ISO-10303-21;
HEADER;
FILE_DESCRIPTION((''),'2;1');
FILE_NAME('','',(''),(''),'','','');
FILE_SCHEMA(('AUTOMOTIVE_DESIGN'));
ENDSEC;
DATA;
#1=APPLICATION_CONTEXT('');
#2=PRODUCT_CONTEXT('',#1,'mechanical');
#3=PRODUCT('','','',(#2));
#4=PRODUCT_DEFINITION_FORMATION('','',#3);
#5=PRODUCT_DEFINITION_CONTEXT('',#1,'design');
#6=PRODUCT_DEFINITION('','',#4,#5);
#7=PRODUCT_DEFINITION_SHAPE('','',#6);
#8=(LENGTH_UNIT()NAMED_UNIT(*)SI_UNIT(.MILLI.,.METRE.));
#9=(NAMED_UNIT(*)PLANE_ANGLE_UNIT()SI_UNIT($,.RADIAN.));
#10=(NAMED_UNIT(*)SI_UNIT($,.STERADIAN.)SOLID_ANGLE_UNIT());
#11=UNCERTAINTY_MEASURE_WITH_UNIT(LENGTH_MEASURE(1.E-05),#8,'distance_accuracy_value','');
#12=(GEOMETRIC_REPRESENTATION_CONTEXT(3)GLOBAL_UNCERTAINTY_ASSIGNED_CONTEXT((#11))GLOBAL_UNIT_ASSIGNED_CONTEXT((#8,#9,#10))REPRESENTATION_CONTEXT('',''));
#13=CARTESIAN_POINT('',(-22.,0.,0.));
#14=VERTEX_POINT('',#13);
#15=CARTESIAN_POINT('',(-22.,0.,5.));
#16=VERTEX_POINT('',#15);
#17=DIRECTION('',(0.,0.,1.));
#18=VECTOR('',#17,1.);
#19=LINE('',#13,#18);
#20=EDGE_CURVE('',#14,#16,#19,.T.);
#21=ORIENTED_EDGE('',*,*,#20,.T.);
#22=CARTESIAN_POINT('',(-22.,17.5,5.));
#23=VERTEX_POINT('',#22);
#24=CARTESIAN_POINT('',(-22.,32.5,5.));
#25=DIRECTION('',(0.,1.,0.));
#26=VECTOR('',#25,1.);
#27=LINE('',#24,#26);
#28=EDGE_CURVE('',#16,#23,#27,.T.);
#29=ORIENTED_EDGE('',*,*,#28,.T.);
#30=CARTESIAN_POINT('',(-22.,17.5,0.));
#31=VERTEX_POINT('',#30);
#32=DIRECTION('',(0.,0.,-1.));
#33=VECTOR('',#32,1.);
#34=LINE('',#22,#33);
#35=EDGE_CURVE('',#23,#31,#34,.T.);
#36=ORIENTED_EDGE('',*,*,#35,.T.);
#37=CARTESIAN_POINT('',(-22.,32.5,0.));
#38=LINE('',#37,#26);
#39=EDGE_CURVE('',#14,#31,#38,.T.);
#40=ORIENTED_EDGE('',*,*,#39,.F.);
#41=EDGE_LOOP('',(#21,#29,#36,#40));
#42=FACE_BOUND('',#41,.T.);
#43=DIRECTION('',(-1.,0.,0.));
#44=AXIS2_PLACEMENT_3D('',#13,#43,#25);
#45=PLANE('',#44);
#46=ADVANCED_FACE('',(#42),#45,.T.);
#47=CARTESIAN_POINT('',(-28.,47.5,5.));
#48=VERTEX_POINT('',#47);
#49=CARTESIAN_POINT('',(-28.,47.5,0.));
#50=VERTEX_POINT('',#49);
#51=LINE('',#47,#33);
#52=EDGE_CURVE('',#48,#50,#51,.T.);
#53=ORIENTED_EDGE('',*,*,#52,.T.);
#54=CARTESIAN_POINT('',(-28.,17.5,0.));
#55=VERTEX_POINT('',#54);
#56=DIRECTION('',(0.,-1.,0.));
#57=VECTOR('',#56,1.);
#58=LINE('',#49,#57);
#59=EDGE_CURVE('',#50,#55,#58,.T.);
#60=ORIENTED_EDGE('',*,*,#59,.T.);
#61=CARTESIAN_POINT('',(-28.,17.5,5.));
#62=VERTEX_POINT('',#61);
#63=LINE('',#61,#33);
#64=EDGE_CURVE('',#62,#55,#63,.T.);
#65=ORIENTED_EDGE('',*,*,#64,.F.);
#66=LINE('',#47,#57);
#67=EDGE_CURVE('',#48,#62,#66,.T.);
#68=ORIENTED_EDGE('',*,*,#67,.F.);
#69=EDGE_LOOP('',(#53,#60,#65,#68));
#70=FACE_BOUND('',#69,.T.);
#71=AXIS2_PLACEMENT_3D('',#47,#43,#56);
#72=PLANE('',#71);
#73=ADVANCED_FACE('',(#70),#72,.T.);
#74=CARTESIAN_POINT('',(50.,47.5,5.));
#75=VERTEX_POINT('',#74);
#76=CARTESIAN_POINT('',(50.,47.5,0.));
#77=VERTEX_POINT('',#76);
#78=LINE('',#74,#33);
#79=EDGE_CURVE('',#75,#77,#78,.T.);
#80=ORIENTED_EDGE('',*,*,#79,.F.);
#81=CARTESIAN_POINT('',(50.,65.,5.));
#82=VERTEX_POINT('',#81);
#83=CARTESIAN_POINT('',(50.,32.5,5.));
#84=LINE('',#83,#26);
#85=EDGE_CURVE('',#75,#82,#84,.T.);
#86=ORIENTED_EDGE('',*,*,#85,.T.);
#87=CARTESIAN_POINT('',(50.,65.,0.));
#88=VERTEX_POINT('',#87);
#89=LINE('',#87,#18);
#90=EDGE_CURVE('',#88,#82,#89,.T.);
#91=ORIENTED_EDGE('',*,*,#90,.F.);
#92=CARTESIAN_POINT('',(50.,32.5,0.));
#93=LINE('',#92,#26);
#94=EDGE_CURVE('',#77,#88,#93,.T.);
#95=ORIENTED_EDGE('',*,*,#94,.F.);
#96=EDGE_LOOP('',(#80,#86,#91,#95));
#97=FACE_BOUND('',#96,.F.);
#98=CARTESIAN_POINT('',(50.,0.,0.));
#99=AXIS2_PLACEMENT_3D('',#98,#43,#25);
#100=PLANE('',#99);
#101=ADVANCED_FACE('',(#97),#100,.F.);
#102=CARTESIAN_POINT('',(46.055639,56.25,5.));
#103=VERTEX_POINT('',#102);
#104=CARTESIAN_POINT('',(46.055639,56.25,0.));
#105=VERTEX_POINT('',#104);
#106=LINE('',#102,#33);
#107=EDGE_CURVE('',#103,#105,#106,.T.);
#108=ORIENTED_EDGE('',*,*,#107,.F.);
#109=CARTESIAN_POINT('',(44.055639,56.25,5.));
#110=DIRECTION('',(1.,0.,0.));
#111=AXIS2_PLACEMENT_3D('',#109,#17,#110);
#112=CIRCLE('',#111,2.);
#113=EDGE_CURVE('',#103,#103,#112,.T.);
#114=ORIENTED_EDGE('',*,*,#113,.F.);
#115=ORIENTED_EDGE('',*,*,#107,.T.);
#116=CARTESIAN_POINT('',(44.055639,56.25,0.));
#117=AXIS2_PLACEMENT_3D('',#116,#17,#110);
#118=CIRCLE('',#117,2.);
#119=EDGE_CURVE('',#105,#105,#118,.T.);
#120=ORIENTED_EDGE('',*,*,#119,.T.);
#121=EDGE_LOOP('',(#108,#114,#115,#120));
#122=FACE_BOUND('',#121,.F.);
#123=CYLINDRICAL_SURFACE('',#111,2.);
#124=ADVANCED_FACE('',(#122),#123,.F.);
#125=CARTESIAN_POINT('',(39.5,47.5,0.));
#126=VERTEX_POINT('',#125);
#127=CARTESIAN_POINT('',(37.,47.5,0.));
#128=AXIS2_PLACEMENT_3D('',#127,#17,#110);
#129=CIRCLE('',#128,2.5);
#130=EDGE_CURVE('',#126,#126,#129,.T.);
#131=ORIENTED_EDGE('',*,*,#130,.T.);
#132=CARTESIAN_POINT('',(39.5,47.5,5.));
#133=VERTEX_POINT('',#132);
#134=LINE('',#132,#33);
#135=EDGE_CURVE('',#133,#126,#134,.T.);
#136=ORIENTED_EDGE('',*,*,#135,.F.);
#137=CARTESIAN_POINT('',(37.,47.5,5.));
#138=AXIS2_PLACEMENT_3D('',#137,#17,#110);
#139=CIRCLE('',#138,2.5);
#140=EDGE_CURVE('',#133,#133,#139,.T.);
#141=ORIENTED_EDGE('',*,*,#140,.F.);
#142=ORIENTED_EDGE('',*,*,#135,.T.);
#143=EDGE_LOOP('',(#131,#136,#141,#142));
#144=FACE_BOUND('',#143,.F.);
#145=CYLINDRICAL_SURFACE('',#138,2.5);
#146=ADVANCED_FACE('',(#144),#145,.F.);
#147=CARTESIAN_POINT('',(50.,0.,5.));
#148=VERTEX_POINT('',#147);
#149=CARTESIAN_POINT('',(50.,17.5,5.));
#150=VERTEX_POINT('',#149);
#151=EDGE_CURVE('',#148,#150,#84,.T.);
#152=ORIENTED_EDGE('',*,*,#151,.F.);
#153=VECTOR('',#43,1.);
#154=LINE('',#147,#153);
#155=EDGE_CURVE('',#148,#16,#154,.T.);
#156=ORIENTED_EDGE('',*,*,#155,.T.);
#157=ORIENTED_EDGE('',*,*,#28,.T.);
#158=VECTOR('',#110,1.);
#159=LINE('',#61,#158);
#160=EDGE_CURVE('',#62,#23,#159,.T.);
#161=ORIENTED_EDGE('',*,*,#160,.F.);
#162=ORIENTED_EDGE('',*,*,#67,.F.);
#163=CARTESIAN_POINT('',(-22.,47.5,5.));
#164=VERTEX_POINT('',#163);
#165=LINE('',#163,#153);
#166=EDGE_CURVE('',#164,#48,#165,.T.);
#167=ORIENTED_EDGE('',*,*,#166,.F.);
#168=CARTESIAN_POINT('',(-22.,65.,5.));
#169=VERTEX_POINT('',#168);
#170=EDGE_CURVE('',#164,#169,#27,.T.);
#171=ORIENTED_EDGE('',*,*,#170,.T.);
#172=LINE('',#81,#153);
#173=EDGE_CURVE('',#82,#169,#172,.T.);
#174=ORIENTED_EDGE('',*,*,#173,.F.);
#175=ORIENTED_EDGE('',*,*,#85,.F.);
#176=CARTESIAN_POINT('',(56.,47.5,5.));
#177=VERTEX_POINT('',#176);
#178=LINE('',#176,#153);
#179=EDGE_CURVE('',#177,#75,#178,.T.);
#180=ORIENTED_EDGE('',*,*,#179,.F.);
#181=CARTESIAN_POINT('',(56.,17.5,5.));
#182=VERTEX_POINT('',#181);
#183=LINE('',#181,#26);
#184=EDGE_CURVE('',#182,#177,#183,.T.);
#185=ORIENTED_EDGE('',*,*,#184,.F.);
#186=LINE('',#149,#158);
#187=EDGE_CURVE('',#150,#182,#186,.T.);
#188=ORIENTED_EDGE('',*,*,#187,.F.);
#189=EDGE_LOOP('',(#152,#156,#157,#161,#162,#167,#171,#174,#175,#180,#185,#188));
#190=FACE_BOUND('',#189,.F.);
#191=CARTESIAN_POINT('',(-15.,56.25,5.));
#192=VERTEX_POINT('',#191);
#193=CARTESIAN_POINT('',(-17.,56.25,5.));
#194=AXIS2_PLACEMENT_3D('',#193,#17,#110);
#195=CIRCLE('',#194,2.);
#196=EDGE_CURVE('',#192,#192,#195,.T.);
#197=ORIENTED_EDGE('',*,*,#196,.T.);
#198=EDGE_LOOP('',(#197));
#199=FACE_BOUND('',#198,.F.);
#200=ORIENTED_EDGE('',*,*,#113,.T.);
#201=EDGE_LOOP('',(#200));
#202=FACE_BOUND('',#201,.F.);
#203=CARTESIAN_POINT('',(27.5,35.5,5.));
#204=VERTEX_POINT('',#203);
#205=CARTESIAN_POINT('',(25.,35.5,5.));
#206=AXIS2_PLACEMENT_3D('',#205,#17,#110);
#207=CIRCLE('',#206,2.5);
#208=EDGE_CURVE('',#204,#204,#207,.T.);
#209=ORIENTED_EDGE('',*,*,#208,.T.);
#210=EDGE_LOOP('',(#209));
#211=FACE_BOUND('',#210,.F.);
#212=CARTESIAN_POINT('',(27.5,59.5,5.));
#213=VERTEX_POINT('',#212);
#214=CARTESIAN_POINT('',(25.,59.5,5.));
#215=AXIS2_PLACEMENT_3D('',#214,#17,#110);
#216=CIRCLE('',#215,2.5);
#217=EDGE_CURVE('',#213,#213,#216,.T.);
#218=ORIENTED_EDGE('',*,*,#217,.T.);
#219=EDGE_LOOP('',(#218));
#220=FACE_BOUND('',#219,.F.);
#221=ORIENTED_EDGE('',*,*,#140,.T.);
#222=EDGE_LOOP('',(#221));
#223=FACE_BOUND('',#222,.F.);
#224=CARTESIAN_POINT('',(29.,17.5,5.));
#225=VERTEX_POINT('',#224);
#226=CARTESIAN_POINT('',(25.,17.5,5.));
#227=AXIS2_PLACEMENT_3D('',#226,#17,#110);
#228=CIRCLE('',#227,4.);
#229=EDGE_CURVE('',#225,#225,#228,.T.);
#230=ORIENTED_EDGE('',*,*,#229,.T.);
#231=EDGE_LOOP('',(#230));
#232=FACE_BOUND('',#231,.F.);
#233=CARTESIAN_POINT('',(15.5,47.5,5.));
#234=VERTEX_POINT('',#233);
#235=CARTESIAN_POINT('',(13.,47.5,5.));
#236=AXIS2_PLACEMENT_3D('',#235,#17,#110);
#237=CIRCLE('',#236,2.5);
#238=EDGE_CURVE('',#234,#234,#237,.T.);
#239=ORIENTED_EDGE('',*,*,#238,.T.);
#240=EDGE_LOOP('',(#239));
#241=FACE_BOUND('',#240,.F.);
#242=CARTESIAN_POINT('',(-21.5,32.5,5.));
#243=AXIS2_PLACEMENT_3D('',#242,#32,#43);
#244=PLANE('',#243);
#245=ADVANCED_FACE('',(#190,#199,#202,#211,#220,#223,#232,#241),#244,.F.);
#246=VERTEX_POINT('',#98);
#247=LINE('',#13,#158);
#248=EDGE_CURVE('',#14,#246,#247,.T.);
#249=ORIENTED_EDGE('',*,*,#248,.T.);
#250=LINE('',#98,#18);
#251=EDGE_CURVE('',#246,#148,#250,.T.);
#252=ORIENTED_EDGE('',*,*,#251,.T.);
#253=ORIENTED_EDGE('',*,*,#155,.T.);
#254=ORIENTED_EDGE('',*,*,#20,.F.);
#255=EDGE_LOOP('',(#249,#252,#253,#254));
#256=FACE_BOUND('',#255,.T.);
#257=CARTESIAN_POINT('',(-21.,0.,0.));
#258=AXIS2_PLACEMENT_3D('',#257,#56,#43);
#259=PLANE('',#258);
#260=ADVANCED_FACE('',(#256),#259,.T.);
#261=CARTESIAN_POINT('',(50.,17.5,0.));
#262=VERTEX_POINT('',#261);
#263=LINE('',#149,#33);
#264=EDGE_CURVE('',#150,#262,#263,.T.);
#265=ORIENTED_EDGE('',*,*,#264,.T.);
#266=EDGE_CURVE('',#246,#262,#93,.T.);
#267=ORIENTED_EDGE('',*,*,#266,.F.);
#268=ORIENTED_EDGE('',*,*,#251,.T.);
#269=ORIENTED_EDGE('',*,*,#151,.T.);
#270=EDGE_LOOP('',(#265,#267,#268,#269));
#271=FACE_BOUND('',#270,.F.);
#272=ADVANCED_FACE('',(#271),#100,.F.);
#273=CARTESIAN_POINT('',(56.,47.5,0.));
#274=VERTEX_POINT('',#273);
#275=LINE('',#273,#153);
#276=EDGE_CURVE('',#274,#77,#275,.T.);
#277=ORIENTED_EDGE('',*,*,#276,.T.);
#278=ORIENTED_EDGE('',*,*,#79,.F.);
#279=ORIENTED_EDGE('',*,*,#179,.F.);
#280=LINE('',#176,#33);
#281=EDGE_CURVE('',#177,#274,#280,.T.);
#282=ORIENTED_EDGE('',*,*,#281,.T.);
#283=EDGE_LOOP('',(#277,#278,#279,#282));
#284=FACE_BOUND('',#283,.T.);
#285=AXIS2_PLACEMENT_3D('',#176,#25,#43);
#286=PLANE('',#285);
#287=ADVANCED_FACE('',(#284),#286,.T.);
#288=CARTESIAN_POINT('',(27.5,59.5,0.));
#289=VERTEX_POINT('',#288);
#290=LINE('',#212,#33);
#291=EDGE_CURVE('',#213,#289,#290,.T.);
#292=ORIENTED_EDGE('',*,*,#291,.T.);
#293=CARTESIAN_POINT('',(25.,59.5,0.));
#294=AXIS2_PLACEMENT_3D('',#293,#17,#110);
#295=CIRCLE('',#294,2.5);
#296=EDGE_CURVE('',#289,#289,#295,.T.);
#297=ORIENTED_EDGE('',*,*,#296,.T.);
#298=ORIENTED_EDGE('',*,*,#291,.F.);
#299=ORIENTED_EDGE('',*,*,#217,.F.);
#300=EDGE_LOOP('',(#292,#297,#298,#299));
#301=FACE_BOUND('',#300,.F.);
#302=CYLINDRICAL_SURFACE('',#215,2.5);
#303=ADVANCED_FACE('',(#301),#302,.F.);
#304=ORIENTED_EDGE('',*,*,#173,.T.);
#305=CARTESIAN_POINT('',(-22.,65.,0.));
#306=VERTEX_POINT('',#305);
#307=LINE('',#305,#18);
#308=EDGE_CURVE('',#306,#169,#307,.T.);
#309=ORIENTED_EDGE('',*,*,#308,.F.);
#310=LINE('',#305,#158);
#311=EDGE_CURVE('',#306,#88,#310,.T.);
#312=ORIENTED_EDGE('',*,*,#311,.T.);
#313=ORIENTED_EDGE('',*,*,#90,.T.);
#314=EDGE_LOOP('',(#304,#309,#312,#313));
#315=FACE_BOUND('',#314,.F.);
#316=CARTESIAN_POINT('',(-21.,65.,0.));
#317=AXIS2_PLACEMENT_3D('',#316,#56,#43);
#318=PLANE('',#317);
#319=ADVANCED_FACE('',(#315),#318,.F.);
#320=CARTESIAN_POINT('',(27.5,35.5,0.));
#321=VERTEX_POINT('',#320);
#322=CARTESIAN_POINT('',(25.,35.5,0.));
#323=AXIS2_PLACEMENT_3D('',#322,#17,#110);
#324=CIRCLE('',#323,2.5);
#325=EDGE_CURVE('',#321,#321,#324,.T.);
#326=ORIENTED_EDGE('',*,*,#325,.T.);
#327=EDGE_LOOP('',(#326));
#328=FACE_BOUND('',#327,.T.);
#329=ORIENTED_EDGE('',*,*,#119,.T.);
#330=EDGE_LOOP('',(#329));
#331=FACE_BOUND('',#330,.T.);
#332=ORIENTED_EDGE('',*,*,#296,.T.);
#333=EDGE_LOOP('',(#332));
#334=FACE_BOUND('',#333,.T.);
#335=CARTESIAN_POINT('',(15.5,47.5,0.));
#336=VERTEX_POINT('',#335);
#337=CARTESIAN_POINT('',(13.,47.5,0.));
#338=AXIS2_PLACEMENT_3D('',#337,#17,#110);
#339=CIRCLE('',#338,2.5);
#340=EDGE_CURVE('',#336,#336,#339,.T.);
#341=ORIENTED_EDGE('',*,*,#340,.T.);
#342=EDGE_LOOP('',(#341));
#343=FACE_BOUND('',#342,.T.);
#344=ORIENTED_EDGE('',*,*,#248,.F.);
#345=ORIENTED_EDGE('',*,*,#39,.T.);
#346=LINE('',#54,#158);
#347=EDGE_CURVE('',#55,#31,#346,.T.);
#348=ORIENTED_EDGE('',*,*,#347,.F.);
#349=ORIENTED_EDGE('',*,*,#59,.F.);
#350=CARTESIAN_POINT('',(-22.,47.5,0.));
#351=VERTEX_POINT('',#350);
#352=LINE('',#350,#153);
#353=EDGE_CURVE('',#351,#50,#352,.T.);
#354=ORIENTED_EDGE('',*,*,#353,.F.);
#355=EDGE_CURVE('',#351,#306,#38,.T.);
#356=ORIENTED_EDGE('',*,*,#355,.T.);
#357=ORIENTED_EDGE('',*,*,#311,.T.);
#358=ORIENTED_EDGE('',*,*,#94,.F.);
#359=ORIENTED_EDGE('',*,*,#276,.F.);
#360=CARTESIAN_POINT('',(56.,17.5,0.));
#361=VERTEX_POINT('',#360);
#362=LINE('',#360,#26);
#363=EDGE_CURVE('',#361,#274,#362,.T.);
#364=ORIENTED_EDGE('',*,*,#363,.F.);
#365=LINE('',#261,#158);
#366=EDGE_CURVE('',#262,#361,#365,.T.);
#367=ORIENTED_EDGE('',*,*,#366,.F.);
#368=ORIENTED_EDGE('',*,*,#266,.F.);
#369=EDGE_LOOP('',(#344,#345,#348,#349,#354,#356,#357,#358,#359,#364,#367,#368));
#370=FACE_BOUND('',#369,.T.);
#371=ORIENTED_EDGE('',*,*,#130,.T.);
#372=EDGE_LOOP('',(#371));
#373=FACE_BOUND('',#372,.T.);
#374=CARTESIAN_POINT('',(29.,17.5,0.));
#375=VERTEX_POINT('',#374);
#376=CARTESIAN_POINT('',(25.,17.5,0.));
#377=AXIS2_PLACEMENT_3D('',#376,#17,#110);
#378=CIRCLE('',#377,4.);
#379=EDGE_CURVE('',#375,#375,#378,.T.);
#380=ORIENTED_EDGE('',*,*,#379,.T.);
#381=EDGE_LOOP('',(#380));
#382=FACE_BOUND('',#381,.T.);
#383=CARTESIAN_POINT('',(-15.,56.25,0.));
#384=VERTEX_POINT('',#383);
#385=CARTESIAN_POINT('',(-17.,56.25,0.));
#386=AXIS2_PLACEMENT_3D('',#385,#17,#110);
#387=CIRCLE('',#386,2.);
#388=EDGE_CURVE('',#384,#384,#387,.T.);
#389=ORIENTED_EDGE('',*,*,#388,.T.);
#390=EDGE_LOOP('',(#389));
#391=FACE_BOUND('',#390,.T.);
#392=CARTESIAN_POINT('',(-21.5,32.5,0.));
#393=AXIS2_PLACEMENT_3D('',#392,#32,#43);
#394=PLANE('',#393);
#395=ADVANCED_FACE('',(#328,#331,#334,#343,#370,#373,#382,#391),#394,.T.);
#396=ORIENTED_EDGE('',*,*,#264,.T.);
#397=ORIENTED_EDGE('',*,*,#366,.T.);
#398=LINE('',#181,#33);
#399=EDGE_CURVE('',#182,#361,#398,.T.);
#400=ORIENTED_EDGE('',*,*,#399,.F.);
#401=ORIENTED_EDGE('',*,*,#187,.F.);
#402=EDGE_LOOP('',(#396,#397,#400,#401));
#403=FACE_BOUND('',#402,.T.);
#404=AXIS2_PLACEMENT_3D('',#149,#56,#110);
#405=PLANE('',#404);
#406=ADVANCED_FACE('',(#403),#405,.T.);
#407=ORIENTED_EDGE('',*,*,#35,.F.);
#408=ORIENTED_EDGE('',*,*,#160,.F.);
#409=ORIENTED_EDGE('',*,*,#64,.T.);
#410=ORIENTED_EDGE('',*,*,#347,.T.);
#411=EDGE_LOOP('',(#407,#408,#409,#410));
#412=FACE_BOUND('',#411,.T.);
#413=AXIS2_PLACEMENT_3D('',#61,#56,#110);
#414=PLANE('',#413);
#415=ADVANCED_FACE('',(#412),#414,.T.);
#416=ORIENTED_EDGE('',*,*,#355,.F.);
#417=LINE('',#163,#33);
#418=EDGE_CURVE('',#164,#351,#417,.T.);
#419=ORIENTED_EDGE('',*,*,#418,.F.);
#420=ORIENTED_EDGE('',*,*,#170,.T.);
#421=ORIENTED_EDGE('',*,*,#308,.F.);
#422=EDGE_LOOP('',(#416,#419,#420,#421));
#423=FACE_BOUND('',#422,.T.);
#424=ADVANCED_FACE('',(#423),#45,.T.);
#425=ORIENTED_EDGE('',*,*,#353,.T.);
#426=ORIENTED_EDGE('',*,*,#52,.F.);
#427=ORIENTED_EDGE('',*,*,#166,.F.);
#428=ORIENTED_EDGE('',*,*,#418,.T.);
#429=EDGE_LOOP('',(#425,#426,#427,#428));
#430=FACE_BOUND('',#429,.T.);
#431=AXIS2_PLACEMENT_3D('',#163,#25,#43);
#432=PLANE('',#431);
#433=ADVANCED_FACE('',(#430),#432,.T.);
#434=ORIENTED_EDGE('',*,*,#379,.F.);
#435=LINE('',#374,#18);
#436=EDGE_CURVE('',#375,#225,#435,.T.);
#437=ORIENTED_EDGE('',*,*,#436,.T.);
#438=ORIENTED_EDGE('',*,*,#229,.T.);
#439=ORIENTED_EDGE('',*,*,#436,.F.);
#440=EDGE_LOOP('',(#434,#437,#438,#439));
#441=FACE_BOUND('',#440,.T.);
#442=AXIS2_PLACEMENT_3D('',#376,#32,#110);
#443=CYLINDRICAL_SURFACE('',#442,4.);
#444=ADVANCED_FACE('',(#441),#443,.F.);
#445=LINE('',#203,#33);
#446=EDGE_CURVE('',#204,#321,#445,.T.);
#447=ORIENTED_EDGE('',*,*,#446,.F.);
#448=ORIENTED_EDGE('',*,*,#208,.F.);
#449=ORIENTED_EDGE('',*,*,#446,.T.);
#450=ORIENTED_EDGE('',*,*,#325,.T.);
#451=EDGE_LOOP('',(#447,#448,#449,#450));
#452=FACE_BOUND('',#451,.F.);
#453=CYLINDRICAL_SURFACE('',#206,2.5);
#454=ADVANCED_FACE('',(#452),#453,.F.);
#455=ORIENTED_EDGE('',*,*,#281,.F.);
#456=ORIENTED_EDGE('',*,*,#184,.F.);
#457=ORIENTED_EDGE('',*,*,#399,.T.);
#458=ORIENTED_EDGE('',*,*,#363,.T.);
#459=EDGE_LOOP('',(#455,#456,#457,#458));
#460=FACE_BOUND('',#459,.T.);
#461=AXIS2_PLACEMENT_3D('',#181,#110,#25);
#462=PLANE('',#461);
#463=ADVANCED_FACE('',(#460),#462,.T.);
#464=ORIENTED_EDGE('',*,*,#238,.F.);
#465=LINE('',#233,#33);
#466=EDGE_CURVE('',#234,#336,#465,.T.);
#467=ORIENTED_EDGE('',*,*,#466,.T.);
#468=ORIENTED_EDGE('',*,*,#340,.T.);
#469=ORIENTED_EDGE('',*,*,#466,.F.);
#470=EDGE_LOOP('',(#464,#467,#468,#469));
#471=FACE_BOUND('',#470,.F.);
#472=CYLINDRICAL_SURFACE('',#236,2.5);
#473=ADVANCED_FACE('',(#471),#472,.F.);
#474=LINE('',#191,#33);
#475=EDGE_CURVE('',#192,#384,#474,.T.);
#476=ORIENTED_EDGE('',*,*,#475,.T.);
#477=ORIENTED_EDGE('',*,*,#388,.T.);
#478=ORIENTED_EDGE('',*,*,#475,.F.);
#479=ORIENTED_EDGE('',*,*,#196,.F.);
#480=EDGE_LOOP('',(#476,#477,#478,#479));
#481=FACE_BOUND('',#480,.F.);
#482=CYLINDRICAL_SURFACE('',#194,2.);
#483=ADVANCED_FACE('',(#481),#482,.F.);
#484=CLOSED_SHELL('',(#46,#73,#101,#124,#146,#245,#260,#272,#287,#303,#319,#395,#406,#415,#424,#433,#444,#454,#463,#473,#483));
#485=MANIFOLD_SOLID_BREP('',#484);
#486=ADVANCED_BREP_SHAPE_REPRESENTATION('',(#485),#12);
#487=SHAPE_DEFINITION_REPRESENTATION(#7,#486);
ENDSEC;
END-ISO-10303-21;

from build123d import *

# Parameters (mm, degrees)
SKETCH2_W           = 50
SKETCH2_H           = 65
SKETCH2_R           = 2
SKETCH2_R_2         = 4
BOSS_EXTRUDE1_DEPTH = 5
SKETCH4_W           = 21
SKETCH4_H           = 65
BOSS_EXTRUDE3_DEPTH = 5
SKETCH5_W           = 1
SKETCH5_H           = 65
BOSS_EXTRUDE4_DEPTH = 5
BOSS_EXTRUDE5_DEPTH = 5
SKETCH7_R           = 2
CUT_EXTRUDE1_DEPTH  = 59
SKETCH8_R           = 1.5
CUT_EXTRUDE2_DEPTH  = 10
SKETCH9_R           = 2
CUT_EXTRUDE3_DEPTH  = 10
SKETCH10_R          = 2.5
CUT_EXTRUDE4_DEPTH  = 10


with BuildPart() as part:
    # Sketch2 → Boss-Extrude1 (new body)
    with BuildSketch(Plane.XY):
        with Locations((25, 32.5)):
            Rectangle(SKETCH2_W, SKETCH2_H)
        with Locations((25, 59.5)):
            Circle(SKETCH2_R, mode=Mode.SUBTRACT)
        with Locations((13, 47.5)):
            Circle(SKETCH2_R, mode=Mode.SUBTRACT)
        with Locations((37, 47.5)):
            Circle(SKETCH2_R, mode=Mode.SUBTRACT)
        with Locations((25, 17.5)):
            Circle(SKETCH2_R_2, mode=Mode.SUBTRACT)
    extrude(amount=BOSS_EXTRUDE1_DEPTH)

    # Sketch4 → Boss-Extrude3 (add)
    with BuildSketch(Plane.XY.offset(5)):
        with Locations((-10.5, 32.5)):
            Rectangle(SKETCH4_W, SKETCH4_H)
    extrude(amount=-BOSS_EXTRUDE3_DEPTH)

    # Sketch5 → Boss-Extrude4 (add)
    with BuildSketch(Plane(origin=(0, 0, 0), x_dir=(-1, 0, 0), z_dir=(0, 0, -1))):
        with Locations((21.5, 32.5)):
            Rectangle(SKETCH5_W, SKETCH5_H)
    extrude(amount=-BOSS_EXTRUDE4_DEPTH)

    # Sketch6 → Boss-Extrude5 (add)
    with BuildSketch(Plane.XY.offset(5)):
        Polygon((-22, 17.5), (-22, 32.5), (-22, 47.5), (-28, 47.5), (-28, 17.5), align=None)
        Polygon((56, 17.5), (56, 47.5), (50, 47.5), (50, 32.5), (50, 17.5), align=None)
    extrude(amount=-BOSS_EXTRUDE5_DEPTH)

    # Sketch7 → Cut-Extrude1 (cut)
    with BuildSketch(Plane.XY.offset(5)):
        with Locations((25, 35.5)):
            Circle(SKETCH7_R)
    extrude(amount=-CUT_EXTRUDE1_DEPTH, mode=Mode.SUBTRACT)

    # Sketch8 → Cut-Extrude2 (cut)
    with BuildSketch(Plane.XY.offset(5)):
        with Locations((-17, 56.25)):
            Circle(SKETCH8_R)
        with Locations((44.055639416, 56.25)):
            Circle(SKETCH8_R)
    extrude(amount=-CUT_EXTRUDE2_DEPTH, mode=Mode.SUBTRACT)

    # Sketch9 → Cut-Extrude3 (cut)
    with BuildSketch(Plane.XY.offset(5)):
        with Locations((-17, 56.25)):
            Circle(SKETCH9_R)
        with Locations((44.055639416, 56.25)):
            Circle(SKETCH9_R)
    extrude(amount=-CUT_EXTRUDE3_DEPTH, mode=Mode.SUBTRACT)

    # Sketch10 → Cut-Extrude4 (cut)
    with BuildSketch(Plane.XY.offset(5)):
        with Locations((25, 59.5)):
            Circle(SKETCH10_R)
        with Locations((25, 35.5)):
            Circle(SKETCH10_R)
        with Locations((13, 47.5)):
            Circle(SKETCH10_R)
        with Locations((37, 47.5)):
            Circle(SKETCH10_R)
    extrude(amount=-CUT_EXTRUDE4_DEPTH, mode=Mode.SUBTRACT)


solid = part.part
